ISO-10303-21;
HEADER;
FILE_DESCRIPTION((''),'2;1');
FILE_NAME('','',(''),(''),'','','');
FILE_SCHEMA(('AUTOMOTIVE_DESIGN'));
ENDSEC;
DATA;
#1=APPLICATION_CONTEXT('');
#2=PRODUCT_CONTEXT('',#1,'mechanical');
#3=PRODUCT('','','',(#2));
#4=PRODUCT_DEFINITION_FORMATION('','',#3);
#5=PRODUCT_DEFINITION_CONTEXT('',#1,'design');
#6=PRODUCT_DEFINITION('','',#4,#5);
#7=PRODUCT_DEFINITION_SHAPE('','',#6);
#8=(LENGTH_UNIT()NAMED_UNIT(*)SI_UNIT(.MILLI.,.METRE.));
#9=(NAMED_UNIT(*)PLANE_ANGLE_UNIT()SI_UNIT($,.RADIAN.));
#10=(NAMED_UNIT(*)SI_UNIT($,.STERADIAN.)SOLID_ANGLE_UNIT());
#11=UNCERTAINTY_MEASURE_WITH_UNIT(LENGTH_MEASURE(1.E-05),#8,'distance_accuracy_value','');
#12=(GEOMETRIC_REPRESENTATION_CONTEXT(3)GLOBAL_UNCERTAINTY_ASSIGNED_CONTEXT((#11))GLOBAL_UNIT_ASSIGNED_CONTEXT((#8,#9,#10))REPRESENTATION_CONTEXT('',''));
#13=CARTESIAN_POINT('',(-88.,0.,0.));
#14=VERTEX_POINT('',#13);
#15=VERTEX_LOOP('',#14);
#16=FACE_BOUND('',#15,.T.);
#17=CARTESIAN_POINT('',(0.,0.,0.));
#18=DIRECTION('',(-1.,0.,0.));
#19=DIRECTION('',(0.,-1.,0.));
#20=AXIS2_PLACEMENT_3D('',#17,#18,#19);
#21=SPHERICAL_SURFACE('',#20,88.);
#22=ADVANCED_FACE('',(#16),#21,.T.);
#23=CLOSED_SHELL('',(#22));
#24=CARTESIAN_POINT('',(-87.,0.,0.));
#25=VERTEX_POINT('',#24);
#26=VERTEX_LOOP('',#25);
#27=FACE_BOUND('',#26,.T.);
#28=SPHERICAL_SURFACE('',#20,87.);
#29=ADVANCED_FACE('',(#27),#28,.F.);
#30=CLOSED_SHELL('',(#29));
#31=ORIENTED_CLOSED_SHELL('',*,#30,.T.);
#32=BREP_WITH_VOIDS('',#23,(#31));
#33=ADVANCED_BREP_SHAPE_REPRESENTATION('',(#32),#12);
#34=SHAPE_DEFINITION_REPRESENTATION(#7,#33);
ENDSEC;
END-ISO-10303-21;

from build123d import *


with BuildPart() as part:
    # Sketch1 → Revolve1 (revolve)
    with BuildSketch(Plane.XY):
        with BuildLine():
            Line((-88, 0), (-87, 0))
            ThreePointArc((-87, 0), (0, 87), (87, 0))
            Line((87, 0), (88, 0))
            ThreePointArc((88, 0), (0, 88), (-88, 0))
        make_face()
    revolve(axis=Axis((-87, 0, 0), (1, 0, 0)))


solid = part.part
